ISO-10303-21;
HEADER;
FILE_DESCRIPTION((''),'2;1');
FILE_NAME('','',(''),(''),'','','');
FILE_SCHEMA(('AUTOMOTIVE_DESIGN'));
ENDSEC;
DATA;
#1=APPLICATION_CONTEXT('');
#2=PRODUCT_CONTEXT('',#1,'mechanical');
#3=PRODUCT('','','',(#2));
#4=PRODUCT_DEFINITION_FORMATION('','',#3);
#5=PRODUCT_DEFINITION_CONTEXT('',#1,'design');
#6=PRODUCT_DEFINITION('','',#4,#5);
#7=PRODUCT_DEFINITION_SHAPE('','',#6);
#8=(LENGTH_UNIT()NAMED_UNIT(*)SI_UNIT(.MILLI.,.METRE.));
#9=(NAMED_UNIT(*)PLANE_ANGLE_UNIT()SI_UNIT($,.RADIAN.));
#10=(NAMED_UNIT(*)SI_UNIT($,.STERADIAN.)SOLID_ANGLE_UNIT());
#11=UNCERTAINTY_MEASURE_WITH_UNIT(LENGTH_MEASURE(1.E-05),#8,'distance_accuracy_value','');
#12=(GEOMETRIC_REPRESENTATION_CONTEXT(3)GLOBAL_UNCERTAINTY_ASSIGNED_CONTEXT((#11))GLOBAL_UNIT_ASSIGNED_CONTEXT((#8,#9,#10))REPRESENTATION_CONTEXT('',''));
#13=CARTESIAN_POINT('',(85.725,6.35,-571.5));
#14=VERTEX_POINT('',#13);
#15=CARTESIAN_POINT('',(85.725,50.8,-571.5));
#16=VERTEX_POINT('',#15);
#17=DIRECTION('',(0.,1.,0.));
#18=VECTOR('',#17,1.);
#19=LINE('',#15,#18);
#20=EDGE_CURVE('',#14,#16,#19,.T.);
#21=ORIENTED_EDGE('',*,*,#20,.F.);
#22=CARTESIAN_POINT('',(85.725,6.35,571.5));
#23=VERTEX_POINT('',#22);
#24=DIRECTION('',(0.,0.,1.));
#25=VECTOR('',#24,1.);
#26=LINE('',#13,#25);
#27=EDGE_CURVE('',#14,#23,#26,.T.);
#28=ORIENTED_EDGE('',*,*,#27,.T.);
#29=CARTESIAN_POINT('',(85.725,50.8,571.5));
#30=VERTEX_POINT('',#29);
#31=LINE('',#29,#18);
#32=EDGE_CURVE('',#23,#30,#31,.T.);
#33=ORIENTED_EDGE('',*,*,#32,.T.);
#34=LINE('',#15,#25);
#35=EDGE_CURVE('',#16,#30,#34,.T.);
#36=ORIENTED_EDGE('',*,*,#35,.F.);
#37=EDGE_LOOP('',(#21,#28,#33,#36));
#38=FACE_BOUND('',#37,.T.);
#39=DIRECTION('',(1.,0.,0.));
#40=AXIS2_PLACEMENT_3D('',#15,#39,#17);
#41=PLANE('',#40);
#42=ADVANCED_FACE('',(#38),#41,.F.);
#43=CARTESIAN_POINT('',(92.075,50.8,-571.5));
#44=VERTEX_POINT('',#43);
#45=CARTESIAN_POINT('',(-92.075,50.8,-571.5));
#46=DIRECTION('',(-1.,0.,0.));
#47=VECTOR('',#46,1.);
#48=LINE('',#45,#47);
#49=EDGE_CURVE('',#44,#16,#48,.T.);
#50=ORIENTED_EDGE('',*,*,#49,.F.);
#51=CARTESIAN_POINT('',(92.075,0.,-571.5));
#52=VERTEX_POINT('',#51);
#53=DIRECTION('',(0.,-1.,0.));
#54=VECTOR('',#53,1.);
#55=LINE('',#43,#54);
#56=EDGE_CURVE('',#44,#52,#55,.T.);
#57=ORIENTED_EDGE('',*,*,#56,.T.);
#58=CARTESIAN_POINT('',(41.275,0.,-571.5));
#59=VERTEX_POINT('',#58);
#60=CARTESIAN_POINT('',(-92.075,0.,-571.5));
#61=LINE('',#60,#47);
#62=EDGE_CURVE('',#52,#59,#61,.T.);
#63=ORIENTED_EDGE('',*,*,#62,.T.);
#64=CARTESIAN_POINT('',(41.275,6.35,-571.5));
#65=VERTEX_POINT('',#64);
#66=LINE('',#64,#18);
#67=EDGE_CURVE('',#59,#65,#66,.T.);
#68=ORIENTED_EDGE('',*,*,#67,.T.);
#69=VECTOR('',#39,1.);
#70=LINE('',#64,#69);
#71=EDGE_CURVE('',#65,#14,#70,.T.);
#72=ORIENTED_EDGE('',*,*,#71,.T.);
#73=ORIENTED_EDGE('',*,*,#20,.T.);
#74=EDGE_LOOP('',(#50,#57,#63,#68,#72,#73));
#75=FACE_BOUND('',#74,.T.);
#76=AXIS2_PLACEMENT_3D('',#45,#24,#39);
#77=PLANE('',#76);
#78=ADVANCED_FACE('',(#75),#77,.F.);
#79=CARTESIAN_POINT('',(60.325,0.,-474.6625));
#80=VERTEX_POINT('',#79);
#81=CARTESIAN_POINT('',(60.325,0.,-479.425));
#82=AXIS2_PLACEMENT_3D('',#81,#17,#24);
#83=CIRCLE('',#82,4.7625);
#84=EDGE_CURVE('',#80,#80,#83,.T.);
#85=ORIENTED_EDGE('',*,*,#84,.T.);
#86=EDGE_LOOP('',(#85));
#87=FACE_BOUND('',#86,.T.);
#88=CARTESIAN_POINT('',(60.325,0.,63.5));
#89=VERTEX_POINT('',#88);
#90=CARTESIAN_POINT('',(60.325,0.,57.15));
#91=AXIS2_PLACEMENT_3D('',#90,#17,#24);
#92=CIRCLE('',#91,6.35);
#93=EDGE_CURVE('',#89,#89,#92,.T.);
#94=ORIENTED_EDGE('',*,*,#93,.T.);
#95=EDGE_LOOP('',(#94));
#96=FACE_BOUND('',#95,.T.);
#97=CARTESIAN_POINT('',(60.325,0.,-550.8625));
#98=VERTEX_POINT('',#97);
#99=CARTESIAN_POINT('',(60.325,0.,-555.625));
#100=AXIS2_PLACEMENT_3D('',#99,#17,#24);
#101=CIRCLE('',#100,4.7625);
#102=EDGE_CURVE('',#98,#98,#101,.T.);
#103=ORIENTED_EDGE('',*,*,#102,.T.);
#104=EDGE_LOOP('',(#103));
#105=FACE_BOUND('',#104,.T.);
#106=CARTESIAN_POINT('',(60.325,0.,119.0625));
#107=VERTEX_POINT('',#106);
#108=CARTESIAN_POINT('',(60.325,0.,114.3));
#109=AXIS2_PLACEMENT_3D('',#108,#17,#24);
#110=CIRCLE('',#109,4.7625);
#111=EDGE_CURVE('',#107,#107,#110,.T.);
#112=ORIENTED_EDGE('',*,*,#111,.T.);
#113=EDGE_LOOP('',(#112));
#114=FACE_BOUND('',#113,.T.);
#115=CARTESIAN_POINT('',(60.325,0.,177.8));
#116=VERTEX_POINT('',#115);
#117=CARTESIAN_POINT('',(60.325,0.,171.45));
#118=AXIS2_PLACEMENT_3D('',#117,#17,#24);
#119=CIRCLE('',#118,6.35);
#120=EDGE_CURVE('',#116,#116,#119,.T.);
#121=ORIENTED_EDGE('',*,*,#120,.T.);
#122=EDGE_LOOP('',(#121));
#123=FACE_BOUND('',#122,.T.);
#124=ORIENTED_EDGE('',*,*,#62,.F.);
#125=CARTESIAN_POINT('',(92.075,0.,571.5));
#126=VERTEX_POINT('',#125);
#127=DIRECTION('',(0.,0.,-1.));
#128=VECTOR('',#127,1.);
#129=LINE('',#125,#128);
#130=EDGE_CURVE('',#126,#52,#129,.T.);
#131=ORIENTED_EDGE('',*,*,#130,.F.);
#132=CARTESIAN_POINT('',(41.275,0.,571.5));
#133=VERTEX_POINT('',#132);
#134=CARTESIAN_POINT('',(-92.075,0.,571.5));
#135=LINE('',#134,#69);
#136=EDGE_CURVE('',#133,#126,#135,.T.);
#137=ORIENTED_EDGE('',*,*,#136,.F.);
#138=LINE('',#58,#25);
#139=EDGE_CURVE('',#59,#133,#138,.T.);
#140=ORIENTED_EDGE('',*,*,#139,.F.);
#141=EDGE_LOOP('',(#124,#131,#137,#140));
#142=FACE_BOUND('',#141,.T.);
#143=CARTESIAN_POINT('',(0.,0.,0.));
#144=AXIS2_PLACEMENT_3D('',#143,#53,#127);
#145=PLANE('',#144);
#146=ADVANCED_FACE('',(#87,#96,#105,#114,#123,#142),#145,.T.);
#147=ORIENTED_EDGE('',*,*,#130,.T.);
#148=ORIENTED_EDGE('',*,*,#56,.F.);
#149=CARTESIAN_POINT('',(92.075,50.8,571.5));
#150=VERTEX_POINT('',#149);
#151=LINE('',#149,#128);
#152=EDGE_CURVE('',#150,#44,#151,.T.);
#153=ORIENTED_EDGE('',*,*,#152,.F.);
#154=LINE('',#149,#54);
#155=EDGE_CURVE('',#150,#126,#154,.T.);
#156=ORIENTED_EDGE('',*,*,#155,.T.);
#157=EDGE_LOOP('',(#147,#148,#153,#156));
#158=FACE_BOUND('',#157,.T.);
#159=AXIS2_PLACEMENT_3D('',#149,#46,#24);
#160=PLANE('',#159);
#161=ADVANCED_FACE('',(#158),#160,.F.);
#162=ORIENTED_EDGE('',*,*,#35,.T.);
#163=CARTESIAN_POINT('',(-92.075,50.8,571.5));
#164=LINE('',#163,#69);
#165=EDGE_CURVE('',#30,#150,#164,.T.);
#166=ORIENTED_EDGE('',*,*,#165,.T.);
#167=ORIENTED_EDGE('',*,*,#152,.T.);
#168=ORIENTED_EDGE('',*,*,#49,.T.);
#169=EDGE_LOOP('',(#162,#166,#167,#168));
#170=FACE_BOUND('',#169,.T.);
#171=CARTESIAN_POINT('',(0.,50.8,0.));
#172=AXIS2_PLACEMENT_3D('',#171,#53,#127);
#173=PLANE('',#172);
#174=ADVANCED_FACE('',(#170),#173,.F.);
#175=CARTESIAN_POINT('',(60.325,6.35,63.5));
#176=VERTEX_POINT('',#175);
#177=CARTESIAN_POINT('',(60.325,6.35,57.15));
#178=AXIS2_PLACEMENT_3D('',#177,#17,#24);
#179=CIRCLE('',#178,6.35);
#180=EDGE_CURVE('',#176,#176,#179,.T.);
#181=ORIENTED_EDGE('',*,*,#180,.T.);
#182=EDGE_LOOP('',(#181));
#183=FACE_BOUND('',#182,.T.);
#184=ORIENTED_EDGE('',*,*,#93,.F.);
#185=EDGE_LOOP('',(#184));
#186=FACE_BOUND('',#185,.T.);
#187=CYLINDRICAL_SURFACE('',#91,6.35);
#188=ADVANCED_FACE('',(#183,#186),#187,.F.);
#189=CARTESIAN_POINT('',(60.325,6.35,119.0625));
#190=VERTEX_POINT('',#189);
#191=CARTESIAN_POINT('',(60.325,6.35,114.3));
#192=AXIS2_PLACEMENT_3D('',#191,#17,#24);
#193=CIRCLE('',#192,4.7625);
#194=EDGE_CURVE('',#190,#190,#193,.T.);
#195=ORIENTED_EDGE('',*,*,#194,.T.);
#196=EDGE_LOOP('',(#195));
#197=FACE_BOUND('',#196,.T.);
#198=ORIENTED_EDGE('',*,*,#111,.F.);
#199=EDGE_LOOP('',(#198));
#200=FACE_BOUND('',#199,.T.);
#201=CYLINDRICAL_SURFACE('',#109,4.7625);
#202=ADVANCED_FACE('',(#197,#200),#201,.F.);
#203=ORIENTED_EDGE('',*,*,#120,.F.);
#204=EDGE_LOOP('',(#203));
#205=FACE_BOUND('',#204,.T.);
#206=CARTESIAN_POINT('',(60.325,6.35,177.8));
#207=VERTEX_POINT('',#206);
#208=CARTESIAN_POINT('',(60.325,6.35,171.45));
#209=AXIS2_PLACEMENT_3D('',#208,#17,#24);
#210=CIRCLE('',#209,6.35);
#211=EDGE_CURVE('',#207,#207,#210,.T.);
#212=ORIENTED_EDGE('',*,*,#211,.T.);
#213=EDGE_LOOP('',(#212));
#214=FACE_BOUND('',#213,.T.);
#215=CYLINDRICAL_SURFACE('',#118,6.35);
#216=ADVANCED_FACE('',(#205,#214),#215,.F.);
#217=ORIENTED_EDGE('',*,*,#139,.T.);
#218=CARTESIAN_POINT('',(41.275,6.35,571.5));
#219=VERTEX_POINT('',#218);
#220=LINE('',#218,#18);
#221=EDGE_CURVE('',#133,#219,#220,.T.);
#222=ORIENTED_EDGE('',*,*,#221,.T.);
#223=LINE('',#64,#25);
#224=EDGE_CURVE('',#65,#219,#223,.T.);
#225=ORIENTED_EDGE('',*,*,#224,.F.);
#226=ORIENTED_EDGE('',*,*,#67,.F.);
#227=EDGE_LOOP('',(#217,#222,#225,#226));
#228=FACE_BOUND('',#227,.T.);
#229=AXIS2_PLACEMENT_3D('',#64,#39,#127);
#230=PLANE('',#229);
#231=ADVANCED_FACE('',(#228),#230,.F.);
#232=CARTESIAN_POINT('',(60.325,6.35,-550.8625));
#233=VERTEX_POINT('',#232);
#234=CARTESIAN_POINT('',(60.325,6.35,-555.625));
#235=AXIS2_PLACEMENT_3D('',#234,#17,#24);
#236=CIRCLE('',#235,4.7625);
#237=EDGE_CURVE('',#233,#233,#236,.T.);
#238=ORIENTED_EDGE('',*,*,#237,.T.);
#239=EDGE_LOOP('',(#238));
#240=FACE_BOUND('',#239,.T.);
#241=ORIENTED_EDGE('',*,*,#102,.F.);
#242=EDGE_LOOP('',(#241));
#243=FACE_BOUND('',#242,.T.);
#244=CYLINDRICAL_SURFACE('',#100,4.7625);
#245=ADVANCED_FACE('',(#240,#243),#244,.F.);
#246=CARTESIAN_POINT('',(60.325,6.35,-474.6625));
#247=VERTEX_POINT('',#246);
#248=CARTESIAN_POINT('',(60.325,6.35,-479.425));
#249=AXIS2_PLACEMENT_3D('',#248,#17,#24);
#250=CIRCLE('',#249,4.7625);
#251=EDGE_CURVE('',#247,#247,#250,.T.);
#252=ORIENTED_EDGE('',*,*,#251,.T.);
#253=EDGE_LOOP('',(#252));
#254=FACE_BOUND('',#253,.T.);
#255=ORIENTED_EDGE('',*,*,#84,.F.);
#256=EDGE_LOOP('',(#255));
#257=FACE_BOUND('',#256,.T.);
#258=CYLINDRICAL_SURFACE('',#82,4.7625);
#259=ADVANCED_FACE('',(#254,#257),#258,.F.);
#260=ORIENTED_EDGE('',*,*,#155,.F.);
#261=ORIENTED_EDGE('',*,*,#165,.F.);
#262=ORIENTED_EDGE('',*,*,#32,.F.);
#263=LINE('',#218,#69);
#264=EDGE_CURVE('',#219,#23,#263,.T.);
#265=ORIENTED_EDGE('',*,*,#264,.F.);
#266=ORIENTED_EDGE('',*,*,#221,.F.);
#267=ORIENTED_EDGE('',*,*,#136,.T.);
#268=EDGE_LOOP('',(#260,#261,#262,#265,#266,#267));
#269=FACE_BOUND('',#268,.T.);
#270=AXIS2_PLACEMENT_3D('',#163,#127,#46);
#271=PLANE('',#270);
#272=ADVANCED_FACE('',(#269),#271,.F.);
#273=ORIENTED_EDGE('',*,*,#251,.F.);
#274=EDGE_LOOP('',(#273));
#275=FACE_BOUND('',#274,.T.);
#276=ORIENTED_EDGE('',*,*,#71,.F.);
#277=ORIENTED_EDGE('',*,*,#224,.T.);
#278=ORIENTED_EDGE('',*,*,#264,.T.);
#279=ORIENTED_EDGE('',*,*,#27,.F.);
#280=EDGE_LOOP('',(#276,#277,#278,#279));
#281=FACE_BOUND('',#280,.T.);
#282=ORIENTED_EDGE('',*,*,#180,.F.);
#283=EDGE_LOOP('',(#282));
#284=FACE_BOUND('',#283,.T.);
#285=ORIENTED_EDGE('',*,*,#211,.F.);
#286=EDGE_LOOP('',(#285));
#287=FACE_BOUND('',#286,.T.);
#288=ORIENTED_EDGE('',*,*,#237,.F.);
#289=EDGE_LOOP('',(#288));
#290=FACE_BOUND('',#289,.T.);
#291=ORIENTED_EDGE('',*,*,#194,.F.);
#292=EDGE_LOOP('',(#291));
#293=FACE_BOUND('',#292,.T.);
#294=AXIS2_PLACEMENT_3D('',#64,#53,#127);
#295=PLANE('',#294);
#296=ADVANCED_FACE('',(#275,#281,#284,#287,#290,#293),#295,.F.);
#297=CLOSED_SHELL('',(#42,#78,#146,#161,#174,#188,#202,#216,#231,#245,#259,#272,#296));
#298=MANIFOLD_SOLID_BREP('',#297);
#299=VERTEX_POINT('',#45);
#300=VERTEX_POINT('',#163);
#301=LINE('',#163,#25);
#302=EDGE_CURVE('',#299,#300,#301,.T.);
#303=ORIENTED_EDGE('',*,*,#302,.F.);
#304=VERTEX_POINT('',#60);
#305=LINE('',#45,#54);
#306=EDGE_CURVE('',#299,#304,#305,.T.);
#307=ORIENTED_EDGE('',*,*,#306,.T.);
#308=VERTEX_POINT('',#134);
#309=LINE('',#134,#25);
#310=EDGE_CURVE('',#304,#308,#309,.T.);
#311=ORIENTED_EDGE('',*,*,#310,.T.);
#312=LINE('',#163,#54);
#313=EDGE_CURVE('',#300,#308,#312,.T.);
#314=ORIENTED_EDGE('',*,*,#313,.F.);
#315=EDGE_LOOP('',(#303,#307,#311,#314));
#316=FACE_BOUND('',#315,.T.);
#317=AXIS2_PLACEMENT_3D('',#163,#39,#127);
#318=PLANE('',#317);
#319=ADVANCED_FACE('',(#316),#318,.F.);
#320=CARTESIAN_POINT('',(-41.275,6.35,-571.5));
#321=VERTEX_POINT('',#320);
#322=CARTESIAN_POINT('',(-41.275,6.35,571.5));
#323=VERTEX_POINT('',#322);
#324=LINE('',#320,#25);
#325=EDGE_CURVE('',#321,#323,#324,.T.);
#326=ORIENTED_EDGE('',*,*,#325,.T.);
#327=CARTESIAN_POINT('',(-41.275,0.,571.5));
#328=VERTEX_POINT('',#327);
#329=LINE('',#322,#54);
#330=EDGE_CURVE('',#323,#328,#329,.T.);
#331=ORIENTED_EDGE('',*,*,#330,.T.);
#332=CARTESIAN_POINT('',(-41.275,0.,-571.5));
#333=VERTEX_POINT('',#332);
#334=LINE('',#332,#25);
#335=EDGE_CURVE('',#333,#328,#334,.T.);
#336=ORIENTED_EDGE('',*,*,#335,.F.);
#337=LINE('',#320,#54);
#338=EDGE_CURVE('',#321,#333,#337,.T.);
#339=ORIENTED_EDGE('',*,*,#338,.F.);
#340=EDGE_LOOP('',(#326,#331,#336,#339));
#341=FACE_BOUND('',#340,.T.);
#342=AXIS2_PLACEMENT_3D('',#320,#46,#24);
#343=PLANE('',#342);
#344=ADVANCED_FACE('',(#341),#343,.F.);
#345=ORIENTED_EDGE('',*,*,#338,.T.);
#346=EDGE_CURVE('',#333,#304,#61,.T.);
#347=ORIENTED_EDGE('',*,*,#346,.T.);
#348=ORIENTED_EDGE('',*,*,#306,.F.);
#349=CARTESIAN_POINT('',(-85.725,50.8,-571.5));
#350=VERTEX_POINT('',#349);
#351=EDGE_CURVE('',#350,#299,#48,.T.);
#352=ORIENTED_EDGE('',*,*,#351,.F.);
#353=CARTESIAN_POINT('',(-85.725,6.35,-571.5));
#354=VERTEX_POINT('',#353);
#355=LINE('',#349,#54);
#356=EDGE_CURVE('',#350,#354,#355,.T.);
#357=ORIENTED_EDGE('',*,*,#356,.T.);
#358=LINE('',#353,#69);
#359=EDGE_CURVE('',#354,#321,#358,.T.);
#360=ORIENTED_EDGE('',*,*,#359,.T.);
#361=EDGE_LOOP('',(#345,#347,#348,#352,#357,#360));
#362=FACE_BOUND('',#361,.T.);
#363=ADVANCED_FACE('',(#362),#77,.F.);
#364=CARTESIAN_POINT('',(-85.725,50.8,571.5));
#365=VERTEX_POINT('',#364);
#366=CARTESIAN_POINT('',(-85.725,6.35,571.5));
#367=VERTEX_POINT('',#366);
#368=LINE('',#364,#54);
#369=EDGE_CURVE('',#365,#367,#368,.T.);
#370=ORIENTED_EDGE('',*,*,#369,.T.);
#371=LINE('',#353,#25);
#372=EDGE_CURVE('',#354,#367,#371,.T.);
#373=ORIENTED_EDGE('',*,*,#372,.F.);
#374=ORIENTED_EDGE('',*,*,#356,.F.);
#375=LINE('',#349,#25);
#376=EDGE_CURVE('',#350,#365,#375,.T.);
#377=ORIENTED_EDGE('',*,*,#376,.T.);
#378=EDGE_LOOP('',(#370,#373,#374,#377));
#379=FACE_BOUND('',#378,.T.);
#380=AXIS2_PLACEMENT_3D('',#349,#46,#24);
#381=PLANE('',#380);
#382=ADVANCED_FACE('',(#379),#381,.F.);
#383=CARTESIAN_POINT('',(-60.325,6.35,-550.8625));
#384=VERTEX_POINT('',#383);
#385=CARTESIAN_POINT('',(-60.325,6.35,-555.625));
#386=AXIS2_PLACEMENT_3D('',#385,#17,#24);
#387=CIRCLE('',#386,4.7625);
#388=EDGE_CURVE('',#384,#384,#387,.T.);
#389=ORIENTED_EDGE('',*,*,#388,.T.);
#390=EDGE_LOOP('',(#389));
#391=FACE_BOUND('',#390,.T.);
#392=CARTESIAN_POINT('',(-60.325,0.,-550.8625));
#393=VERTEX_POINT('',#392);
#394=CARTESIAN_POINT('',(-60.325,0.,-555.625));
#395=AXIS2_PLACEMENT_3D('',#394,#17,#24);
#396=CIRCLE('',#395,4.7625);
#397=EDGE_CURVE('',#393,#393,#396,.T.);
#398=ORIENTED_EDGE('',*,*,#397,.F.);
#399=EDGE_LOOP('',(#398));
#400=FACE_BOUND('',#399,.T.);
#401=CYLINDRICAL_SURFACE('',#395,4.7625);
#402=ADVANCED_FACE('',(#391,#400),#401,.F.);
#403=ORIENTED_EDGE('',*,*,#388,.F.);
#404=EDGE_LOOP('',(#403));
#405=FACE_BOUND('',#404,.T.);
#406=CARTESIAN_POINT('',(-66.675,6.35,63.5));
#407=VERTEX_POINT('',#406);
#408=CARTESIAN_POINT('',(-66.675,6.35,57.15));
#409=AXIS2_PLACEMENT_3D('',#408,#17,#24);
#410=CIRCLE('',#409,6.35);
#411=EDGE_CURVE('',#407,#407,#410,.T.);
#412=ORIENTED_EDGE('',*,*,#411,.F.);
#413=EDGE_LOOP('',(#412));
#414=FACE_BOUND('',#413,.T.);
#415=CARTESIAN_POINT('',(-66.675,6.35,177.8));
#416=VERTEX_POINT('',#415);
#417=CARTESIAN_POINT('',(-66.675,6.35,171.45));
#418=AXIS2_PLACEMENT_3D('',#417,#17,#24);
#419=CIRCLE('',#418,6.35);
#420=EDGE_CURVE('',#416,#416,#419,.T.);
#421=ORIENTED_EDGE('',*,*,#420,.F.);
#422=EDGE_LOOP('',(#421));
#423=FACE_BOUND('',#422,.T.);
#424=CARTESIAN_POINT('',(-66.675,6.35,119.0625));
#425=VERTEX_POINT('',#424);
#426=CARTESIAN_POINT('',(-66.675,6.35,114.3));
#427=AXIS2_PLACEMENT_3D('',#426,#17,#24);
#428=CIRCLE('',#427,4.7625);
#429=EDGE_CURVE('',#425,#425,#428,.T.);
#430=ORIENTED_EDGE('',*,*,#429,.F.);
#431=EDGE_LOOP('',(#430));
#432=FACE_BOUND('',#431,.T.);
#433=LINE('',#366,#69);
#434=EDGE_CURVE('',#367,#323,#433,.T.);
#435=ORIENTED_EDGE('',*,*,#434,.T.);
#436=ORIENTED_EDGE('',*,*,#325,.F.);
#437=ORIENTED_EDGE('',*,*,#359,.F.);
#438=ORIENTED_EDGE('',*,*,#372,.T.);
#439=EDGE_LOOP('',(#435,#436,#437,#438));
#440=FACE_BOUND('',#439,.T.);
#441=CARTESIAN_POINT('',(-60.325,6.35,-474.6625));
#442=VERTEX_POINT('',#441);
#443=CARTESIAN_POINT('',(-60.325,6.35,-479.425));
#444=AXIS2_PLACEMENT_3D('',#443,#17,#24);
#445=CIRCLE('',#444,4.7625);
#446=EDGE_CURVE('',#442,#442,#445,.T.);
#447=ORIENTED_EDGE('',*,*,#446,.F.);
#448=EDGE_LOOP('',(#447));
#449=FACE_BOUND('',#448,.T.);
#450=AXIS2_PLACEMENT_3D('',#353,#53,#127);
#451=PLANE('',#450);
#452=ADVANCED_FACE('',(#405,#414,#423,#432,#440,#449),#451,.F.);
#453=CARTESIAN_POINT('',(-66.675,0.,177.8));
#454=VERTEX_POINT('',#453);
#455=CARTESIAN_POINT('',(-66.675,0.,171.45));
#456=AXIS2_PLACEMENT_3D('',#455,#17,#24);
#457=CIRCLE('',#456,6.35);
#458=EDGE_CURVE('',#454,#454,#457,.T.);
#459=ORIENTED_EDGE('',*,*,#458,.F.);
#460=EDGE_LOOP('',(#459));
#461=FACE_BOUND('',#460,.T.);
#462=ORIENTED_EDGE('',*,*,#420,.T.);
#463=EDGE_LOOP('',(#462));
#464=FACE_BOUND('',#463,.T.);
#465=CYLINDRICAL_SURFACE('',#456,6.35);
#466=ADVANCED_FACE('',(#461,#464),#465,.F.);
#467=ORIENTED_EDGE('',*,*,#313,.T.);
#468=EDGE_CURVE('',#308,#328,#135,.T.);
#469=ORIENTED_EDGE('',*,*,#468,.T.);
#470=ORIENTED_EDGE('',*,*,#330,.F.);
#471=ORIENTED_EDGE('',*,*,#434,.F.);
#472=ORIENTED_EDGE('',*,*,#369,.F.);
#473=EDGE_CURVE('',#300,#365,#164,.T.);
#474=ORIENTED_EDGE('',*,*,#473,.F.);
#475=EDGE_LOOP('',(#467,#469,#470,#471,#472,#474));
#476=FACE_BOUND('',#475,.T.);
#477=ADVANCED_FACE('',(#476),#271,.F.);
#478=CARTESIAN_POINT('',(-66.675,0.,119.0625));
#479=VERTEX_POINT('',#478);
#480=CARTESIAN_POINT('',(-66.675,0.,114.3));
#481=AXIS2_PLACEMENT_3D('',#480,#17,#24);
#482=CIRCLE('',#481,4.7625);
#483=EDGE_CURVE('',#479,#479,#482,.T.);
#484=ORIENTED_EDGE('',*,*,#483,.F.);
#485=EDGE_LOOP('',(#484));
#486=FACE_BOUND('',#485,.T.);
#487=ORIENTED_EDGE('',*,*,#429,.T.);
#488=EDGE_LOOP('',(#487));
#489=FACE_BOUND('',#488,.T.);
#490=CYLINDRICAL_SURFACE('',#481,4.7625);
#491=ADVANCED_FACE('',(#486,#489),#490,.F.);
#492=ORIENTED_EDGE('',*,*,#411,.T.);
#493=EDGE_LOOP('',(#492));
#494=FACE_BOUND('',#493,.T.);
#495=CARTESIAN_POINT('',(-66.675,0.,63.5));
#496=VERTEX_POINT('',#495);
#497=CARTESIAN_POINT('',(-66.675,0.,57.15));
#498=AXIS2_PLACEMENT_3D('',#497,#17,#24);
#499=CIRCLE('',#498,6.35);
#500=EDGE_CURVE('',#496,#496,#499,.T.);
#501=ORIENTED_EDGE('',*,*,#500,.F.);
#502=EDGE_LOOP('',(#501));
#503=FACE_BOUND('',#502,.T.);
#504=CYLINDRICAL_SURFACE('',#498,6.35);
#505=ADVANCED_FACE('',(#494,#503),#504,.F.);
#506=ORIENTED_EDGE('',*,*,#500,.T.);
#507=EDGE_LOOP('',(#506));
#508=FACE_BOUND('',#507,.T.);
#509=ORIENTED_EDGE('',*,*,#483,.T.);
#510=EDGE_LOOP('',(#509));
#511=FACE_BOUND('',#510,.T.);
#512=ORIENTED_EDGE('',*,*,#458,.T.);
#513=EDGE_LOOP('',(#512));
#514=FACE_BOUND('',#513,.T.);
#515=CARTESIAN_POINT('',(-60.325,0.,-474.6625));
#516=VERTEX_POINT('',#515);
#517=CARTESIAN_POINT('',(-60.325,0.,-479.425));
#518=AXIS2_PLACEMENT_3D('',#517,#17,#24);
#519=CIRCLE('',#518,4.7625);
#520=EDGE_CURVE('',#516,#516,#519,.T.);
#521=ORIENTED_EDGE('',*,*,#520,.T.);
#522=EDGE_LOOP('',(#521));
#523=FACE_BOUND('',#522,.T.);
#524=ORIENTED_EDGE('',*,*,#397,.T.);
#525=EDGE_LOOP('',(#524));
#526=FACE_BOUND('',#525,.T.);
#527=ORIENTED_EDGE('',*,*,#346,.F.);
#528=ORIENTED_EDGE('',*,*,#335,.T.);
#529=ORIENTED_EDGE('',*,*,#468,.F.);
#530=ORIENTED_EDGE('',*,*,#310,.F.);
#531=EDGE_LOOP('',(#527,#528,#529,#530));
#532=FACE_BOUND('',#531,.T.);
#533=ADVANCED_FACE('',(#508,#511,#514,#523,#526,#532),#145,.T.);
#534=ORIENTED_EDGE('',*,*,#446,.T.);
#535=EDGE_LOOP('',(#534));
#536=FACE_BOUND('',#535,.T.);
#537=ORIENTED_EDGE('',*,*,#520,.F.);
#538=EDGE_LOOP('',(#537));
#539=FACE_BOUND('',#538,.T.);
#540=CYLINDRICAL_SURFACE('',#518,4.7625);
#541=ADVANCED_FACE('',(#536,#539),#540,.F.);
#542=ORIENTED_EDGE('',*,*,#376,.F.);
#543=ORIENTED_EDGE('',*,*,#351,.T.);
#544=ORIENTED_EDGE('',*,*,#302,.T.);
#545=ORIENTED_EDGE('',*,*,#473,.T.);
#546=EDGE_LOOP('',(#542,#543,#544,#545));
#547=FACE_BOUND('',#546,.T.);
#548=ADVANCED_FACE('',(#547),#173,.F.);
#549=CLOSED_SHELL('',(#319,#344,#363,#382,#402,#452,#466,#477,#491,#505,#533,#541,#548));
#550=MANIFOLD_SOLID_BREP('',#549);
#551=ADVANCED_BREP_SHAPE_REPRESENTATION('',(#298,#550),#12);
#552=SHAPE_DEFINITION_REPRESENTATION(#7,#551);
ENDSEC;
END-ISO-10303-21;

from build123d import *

# Parameters (mm, degrees)
SKETCH1_W            = 184.15
SKETCH1_H            = 1143
BOSS_EXTRUDE1_DEPTH  = 50.8
CUT_EXTRUDE1_DEPTH   = 1144
SKETCH3_R            = 4.7625
SKETCH3_R_2          = 6.35
BOLT_HOLE_CUTS_DEPTH = 7.35


with BuildPart() as part:
    # Sketch1 → Boss-Extrude1 (new body)
    with BuildSketch(Plane(origin=(0, 0, 0), x_dir=(1, 0, 0), z_dir=(0, 1, 0))):
        Rectangle(SKETCH1_W, SKETCH1_H)
    extrude(amount=BOSS_EXTRUDE1_DEPTH)

    # Sketch2 → Cut-Extrude1 (cut, through all)
    with BuildSketch(Plane.XY.offset(571.5)):
        Polygon((-85.725, 50.8), (85.725, 50.8), (85.725, 6.35), (41.275, 6.35), (41.275, 0), (-41.275, 0), (-41.275, 6.35), (-85.725, 6.35), align=None)
    extrude(amount=-CUT_EXTRUDE1_DEPTH, mode=Mode.SUBTRACT)

    # Sketch3 → Bolt Hole Cuts (cut, through all)
    with BuildSketch(Plane(origin=(0, 6.35, 0), x_dir=(1, 0, 0), z_dir=(0, 1, 0))):
        with Locations((-60.325, 555.625)):
            Circle(SKETCH3_R)
        with Locations((-60.325, 479.425)):
            Circle(SKETCH3_R)
        with Locations((-66.675, -114.3)):
            Circle(SKETCH3_R)
        with Locations((60.325, 555.625)):
            Circle(SKETCH3_R)
        with Locations((60.325, 479.425)):
            Circle(SKETCH3_R)
        with Locations((60.325, -114.3)):
            Circle(SKETCH3_R)
        with Locations((-66.675, -57.15)):
            Circle(SKETCH3_R_2)
        with Locations((-66.675, -171.45)):
            Circle(SKETCH3_R_2)
        with Locations((60.325, -57.15)):
            Circle(SKETCH3_R_2)
        with Locations((60.325, -171.45)):
            Circle(SKETCH3_R_2)
    extrude(amount=-BOLT_HOLE_CUTS_DEPTH, mode=Mode.SUBTRACT)


solid = part.part
